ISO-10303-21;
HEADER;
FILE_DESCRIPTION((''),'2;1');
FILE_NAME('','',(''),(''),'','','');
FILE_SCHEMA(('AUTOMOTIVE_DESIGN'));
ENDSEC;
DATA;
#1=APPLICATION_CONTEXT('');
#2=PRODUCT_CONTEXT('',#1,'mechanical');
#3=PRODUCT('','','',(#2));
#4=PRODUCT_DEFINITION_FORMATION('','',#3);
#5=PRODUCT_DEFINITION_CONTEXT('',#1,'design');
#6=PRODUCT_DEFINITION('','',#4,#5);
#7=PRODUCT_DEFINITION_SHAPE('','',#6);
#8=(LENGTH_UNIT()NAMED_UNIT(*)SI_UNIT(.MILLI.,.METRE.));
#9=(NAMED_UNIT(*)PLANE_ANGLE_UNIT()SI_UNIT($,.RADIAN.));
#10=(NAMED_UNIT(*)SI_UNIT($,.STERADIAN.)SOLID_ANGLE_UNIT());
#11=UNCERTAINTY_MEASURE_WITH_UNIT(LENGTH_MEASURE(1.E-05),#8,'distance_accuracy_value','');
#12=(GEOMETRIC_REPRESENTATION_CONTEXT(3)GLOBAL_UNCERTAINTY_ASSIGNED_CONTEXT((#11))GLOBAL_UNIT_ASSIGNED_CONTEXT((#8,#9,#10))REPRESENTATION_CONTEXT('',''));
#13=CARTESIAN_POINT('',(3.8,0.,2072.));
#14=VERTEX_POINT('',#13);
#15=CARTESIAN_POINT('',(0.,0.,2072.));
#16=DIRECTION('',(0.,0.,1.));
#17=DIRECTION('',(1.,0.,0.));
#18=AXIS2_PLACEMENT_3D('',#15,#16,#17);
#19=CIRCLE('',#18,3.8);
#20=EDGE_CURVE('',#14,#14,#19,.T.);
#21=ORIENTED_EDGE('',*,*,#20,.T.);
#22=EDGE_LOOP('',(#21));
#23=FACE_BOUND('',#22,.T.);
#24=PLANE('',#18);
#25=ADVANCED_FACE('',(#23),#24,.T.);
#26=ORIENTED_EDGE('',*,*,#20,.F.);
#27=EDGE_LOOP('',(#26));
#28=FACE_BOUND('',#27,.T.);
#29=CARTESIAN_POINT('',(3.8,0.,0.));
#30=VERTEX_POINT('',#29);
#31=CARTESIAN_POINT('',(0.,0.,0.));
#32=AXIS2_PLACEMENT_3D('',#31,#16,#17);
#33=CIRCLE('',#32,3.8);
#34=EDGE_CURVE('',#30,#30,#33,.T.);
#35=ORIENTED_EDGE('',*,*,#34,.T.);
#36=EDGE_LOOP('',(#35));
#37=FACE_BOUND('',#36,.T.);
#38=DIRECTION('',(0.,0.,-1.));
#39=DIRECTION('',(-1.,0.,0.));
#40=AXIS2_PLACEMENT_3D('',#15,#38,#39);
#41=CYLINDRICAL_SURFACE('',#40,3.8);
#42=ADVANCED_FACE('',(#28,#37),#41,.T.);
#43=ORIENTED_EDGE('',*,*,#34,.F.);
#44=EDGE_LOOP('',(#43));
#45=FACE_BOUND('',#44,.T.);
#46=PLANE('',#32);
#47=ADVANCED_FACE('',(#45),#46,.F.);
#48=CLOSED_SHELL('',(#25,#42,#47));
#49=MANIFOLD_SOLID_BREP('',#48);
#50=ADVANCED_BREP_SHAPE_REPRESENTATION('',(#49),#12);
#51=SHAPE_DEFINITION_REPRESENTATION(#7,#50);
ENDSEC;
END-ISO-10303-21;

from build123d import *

# Parameters (mm, degrees)
SKETCH1_R           = 3.8
BOSS_EXTRUDE1_DEPTH = 2072


with BuildPart() as part:
    # Sketch1 → Boss-Extrude1 (new body)
    with BuildSketch(Plane.XY):
        Circle(SKETCH1_R)
    extrude(amount=BOSS_EXTRUDE1_DEPTH)


solid = part.part
